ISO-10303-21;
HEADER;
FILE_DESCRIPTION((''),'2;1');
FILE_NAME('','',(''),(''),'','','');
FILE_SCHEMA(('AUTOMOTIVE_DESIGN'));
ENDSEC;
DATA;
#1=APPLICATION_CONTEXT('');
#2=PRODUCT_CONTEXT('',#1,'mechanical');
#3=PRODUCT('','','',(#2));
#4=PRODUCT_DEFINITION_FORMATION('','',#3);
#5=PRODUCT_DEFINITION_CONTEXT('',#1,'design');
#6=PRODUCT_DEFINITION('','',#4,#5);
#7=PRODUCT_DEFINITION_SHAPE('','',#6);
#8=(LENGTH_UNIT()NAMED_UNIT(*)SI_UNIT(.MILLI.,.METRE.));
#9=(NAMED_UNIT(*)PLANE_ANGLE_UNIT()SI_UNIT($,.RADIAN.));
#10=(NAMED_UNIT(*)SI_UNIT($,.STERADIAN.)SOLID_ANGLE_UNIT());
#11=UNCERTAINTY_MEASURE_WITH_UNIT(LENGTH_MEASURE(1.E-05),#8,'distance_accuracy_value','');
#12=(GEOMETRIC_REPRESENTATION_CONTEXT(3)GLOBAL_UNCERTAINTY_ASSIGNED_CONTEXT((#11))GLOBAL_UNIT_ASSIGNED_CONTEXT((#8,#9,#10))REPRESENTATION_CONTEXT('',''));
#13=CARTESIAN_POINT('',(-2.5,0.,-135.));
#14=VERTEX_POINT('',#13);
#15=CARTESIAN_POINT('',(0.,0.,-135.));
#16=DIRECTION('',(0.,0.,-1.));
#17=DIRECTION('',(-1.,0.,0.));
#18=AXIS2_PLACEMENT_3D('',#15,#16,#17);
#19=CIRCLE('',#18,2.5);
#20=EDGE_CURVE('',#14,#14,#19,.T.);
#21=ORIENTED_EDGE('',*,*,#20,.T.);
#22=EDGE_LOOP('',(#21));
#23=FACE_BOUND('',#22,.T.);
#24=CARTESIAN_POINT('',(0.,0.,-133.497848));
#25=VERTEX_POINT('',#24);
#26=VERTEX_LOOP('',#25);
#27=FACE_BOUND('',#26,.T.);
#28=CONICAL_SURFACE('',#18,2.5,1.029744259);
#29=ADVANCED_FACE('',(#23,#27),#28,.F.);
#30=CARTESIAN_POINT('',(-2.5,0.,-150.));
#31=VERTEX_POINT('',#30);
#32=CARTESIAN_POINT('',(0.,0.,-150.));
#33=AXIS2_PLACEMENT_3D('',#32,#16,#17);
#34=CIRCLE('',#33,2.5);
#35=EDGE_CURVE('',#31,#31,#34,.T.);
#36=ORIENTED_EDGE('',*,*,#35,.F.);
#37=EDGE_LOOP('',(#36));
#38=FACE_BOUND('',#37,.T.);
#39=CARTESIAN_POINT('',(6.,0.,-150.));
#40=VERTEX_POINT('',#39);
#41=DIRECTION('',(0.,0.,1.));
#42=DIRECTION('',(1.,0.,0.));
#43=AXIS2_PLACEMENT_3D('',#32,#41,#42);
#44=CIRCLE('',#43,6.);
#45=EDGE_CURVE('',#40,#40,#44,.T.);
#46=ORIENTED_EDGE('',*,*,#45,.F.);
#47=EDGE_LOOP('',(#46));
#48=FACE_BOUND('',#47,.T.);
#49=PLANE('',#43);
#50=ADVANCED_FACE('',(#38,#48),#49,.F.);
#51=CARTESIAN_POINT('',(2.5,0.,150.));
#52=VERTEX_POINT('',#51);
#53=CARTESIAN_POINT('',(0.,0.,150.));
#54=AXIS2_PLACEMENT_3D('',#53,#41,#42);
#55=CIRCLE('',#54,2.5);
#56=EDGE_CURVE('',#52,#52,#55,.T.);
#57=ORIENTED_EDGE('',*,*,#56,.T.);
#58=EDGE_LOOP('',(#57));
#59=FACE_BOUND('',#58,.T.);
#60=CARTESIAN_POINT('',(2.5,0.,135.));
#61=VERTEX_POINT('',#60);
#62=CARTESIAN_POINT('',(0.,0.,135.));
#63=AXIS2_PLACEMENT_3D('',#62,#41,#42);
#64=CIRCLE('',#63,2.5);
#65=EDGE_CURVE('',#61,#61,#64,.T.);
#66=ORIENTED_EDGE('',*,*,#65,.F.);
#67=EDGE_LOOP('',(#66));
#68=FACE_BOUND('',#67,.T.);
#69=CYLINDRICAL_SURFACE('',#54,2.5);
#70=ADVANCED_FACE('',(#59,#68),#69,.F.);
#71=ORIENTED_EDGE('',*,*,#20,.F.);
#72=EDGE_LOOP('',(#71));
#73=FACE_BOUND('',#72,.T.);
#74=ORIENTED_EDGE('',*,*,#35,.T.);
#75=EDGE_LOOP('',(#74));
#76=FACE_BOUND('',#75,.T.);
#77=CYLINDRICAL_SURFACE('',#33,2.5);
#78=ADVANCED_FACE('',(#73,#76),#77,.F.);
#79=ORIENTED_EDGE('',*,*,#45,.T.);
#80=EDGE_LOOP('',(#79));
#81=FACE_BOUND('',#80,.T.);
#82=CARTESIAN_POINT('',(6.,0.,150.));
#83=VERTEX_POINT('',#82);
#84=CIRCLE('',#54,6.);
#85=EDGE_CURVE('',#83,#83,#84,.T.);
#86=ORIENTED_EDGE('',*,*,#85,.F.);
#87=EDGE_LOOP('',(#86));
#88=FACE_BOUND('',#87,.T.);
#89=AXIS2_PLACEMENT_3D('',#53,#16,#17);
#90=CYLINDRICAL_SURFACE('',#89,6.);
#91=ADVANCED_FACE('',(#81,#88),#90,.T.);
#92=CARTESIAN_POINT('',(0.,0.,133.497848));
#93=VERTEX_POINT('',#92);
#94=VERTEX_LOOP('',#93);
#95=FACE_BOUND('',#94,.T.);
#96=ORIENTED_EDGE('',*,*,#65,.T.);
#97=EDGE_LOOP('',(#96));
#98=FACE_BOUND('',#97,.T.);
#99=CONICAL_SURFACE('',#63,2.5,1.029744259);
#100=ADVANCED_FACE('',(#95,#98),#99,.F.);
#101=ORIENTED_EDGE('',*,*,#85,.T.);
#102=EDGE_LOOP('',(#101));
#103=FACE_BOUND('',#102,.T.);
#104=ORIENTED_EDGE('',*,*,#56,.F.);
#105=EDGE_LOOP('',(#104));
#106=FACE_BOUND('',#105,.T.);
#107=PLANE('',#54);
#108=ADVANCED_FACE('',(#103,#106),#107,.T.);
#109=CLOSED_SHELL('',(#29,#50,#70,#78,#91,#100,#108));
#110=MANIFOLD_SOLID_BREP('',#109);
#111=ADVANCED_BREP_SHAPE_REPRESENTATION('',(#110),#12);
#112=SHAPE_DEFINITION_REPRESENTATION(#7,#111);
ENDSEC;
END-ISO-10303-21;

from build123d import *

# Parameters (mm, degrees)
SKETCH_1_R             = 6
EXTRUDE_1_DEPTH        = 150
HOLE_WIZARD_M6_1_D     = 5
HOLE_WIZARD_M6_1_DEPTH = 15
HOLE_WIZARD_M6_1_TIP   = 1.502151548
HOLE_WIZARD_M6_2_D     = 5
HOLE_WIZARD_M6_2_DEPTH = 15
HOLE_WIZARD_M6_2_TIP   = 1.502151548


with BuildPart() as part:
    # 草图1 → 凸台-拉伸1 (new, symmetric)
    with BuildSketch(Plane.XY):
        Circle(SKETCH_1_R)
    extrude(amount=EXTRUDE_1_DEPTH, both=True)

    # M6 螺纹孔1
    with Locations(Plane(origin=(0, 0, -150), x_dir=(-1, 0, 0), z_dir=(0, 0, -1))):
        with Locations((0, 0)):
            Hole(HOLE_WIZARD_M6_1_D / 2, depth=HOLE_WIZARD_M6_1_DEPTH)
            with Locations((0, 0, -(HOLE_WIZARD_M6_1_DEPTH + HOLE_WIZARD_M6_1_TIP / 2))):  # 118° drill point
                Cone(0, HOLE_WIZARD_M6_1_D / 2, HOLE_WIZARD_M6_1_TIP, mode=Mode.SUBTRACT)

    # M6 螺纹孔2
    with Locations(Plane.XY.offset(150)):
        with Locations((0, 0)):
            Hole(HOLE_WIZARD_M6_2_D / 2, depth=HOLE_WIZARD_M6_2_DEPTH)
            with Locations((0, 0, -(HOLE_WIZARD_M6_2_DEPTH + HOLE_WIZARD_M6_2_TIP / 2))):  # 118° drill point
                Cone(0, HOLE_WIZARD_M6_2_D / 2, HOLE_WIZARD_M6_2_TIP, mode=Mode.SUBTRACT)


solid = part.part
